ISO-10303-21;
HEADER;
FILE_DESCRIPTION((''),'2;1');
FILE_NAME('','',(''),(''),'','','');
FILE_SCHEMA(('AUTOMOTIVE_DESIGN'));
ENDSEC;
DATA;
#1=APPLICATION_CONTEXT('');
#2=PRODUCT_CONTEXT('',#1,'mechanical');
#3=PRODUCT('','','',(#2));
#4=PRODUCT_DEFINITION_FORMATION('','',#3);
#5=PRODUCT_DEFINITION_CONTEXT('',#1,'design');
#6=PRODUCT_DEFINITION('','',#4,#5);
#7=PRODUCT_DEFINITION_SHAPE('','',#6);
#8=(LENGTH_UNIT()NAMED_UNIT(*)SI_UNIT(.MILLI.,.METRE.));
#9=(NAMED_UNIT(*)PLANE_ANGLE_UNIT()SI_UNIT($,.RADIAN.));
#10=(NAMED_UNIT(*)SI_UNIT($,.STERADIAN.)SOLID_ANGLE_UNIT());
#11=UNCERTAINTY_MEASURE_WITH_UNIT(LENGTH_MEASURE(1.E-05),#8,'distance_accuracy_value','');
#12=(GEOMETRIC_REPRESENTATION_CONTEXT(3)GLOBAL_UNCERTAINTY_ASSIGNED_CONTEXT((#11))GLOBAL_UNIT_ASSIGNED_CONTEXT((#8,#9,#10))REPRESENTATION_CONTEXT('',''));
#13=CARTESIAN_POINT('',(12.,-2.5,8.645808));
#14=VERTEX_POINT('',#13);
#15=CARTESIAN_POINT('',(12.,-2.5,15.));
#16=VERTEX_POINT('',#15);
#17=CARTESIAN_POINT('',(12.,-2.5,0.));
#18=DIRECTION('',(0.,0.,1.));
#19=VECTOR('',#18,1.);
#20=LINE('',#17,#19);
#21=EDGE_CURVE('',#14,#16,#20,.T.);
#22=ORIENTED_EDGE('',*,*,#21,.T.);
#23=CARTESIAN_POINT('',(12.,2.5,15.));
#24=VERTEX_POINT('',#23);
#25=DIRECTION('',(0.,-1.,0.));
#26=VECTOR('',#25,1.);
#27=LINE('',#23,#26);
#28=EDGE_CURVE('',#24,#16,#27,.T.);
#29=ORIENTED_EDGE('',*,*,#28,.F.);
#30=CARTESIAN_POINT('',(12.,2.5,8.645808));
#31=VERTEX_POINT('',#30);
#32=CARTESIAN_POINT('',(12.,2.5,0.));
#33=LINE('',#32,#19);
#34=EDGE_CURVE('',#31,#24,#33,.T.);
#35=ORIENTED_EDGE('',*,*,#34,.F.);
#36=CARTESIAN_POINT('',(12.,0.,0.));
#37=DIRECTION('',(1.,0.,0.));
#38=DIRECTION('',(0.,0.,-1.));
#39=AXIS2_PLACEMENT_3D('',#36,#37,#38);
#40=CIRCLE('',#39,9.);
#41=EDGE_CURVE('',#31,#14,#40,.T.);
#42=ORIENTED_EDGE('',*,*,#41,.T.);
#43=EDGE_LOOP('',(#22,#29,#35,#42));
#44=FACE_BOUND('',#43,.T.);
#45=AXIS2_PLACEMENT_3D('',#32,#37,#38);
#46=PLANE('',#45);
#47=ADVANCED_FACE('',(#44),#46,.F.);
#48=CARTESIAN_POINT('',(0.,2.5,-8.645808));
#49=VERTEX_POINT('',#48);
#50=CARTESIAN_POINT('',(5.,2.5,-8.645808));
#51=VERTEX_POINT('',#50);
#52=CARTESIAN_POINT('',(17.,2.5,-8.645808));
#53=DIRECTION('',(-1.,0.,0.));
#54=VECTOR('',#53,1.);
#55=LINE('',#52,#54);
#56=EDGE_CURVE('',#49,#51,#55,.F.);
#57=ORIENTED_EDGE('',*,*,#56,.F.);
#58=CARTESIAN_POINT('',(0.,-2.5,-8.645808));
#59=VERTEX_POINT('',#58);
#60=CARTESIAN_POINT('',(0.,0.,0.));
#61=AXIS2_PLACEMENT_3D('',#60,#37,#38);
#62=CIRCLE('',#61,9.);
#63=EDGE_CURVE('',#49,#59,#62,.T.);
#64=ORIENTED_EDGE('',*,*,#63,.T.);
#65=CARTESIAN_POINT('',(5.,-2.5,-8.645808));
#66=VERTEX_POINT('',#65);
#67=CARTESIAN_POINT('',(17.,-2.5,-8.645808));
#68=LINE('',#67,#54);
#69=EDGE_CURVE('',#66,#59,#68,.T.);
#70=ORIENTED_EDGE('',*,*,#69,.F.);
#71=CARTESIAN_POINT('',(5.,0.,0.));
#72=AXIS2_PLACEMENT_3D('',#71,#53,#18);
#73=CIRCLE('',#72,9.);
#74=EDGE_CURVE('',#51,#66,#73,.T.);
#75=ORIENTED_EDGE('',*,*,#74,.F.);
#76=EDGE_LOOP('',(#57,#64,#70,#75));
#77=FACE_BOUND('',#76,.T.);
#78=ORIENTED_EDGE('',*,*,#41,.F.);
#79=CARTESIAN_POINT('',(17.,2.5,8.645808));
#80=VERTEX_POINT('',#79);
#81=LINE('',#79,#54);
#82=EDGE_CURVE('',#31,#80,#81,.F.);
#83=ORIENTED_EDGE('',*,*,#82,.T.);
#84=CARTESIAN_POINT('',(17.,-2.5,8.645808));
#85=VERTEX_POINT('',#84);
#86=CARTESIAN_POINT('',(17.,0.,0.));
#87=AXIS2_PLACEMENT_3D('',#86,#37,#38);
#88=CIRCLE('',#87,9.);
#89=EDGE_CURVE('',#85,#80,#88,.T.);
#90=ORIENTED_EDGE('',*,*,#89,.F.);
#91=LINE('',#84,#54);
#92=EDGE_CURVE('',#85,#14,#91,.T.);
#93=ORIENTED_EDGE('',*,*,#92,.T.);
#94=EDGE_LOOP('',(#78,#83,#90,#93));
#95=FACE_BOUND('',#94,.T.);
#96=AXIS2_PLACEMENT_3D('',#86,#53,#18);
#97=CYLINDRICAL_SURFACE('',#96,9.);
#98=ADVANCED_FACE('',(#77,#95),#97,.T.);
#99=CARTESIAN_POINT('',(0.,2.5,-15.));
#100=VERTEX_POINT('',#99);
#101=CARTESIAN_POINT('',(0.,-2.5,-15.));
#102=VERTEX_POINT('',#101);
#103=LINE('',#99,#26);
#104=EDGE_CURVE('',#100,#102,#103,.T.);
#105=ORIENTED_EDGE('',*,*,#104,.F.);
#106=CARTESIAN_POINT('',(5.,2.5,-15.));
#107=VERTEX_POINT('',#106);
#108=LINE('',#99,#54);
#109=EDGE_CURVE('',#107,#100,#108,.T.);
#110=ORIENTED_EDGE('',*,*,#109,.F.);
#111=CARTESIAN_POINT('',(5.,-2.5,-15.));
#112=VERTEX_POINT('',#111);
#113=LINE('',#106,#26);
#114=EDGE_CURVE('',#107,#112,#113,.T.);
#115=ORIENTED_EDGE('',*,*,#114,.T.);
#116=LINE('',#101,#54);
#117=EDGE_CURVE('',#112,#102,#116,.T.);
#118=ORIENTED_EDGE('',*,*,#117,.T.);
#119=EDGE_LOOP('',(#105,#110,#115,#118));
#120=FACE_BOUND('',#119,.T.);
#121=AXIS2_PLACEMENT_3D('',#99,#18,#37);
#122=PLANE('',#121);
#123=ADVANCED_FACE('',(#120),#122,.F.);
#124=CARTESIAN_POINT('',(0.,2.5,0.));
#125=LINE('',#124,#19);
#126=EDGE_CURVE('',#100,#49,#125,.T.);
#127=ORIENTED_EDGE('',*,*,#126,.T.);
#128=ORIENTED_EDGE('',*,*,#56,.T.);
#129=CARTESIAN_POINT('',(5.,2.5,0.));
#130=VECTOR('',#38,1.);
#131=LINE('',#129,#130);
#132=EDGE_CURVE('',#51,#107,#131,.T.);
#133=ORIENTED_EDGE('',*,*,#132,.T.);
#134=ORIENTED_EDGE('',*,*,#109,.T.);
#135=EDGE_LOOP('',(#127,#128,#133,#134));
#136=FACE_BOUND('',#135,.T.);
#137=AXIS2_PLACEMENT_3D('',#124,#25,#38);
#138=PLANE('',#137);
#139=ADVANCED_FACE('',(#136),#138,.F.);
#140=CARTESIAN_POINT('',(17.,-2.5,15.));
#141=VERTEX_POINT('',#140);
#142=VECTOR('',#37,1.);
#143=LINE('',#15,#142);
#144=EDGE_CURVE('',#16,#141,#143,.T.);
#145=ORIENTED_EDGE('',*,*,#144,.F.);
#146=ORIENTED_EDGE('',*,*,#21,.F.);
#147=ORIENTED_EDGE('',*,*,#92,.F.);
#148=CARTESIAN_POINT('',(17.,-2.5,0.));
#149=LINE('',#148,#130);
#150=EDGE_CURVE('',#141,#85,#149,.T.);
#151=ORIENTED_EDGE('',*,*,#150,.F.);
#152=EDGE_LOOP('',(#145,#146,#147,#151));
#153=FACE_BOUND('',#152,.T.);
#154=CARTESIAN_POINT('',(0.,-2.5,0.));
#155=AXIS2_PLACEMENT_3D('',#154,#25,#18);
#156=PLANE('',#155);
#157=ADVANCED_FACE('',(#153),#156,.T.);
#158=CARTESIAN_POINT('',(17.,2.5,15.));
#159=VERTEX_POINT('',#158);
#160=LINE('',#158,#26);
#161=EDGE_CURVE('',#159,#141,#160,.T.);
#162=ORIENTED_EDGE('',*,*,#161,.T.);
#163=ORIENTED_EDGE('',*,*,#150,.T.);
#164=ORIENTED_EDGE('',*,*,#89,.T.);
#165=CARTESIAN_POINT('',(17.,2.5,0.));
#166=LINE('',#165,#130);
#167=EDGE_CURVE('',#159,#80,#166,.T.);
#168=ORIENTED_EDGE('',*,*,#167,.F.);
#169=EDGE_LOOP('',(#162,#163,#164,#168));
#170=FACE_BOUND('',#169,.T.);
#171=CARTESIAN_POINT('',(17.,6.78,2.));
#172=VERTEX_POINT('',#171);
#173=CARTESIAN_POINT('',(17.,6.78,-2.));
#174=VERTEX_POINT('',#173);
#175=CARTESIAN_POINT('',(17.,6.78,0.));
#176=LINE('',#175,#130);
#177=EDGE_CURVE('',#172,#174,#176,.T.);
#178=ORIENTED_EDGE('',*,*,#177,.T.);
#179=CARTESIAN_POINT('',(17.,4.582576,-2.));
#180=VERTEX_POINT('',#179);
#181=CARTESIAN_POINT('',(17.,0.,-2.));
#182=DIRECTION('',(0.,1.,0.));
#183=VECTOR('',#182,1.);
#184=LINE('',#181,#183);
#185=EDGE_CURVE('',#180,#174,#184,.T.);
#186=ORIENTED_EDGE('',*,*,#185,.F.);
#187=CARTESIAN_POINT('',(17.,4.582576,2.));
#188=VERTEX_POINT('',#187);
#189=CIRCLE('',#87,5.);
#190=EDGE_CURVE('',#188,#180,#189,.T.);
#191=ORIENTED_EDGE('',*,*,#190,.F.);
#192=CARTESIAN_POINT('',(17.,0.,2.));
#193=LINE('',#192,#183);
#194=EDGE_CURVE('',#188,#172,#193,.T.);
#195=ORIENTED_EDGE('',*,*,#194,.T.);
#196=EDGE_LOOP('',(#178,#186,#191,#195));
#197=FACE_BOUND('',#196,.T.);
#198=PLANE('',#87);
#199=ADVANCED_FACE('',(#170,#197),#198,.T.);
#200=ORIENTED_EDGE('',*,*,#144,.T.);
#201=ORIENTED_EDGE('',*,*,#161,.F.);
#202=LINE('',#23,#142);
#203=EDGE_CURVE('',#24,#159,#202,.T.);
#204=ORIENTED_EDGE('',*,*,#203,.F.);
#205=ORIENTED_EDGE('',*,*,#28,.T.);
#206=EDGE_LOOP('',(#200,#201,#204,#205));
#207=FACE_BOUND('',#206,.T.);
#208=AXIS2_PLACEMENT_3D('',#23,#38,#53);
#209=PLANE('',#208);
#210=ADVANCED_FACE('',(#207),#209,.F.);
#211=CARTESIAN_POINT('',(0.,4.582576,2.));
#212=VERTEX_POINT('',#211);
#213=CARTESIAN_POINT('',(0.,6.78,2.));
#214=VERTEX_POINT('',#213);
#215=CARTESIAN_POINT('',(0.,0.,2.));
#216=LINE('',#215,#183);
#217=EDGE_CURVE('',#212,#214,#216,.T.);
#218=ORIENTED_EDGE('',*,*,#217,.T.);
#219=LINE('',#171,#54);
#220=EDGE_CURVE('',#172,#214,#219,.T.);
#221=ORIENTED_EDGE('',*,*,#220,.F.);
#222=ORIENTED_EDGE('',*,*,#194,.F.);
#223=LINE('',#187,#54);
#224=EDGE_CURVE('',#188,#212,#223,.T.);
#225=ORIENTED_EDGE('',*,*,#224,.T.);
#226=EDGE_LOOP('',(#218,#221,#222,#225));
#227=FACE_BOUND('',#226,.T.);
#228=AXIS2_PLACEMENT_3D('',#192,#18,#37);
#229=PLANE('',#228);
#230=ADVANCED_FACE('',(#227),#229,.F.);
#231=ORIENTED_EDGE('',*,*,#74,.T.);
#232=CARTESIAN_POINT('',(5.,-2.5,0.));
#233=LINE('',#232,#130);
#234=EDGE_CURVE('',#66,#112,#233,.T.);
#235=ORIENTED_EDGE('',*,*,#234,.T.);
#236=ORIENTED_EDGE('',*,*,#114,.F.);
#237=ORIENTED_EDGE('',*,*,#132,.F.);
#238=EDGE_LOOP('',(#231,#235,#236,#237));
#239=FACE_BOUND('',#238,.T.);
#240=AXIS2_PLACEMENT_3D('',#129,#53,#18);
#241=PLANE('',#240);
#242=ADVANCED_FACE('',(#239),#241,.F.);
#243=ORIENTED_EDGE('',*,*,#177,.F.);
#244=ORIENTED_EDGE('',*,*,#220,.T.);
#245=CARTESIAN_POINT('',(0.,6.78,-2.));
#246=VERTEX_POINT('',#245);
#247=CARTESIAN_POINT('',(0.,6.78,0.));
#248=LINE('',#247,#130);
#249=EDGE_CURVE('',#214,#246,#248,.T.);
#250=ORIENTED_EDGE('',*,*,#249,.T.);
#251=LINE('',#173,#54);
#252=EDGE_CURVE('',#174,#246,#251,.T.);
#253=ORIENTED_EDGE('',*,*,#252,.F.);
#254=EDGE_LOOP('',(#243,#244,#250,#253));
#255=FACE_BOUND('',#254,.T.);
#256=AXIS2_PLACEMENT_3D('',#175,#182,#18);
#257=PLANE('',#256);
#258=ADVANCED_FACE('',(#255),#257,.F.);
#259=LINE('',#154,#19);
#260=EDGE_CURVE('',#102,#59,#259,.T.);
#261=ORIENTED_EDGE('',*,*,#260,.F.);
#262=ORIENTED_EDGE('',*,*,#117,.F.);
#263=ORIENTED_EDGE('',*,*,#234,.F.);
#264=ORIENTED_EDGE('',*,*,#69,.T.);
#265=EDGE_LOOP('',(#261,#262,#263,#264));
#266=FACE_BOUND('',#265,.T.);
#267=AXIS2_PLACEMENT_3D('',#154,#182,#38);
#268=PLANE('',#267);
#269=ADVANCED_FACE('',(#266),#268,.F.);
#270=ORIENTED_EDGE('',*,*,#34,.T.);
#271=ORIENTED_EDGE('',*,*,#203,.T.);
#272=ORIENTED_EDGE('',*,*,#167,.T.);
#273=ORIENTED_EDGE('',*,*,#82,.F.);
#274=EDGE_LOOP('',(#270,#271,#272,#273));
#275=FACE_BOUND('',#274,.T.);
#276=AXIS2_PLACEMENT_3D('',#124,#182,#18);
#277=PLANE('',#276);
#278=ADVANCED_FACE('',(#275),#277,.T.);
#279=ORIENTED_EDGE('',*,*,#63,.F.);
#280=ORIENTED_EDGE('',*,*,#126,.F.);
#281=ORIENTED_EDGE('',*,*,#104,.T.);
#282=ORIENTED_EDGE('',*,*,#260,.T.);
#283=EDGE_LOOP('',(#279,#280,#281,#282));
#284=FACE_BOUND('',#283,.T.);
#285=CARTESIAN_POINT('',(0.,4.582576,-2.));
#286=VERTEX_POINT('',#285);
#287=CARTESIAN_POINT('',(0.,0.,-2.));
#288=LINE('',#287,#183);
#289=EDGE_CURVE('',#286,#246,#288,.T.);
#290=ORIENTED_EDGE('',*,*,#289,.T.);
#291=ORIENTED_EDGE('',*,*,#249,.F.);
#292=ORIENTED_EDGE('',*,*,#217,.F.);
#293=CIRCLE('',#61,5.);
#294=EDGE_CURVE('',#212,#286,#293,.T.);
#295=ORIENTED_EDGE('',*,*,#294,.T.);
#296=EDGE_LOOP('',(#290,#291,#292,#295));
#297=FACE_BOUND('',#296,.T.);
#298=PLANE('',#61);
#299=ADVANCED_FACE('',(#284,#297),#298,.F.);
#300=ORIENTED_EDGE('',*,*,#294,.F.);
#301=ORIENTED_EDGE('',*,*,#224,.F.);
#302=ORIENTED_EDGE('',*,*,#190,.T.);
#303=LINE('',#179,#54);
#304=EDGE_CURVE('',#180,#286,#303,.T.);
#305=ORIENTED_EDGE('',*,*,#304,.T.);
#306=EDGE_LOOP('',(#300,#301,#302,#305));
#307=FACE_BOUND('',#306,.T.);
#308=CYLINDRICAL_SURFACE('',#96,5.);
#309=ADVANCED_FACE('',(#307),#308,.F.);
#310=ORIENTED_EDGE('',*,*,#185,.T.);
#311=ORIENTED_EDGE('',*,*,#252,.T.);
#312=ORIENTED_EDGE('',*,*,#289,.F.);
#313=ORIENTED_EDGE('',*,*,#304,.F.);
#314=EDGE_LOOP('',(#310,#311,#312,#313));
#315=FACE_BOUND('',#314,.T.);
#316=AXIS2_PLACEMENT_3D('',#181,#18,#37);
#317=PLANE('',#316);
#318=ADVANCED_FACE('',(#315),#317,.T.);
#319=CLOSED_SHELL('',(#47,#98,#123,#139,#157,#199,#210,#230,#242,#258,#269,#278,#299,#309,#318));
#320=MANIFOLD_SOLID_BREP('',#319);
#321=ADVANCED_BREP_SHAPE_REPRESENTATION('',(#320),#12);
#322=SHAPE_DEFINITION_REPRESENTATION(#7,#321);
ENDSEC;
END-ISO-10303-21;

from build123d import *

# Parameters (mm, degrees)
SKETCH1_R           = 9
BOSS_EXTRUDE1_DEPTH = 17
SKETCH3_W           = 5
SKETCH3_H           = 15
BOSS_EXTRUDE3_DEPTH = 2.5
SKETCH4_R           = 5
CUT_EXTRUDE1_DEPTH  = 25.392621835


with BuildPart() as part:
    # Sketch1 → Boss-Extrude1 (new body)
    with BuildSketch(Plane(origin=(0, 0, 0), x_dir=(0, 0, -1), z_dir=(1, 0, 0))):
        Circle(SKETCH1_R)
        with BuildLine():
            ThreePointArc((5, 0), (-2.738612788, -4.183300133), (-2, 4.582575695))
            Line((-2, 4.582575695), (-2, 6.78))
            Line((-2, 6.78), (2, 6.78))
            Line((2, 6.78), (2, 4.582575695))
            ThreePointArc((2, 4.582575695), (4.183300133, 2.738612788), (5, 0))
        make_face(mode=Mode.SUBTRACT)
    extrude(amount=BOSS_EXTRUDE1_DEPTH)

    # Sketch3 → Boss-Extrude3 (add)
    with BuildSketch(Plane(origin=(0, 0, 0), x_dir=(1, 0, 0), z_dir=(0, 1, 0))):
        with Locations((2.5, 7.5)):
            Rectangle(SKETCH3_W, SKETCH3_H)
        with Locations((14.5, -7.5)):
            Rectangle(SKETCH3_W, SKETCH3_H)
    boss_extrude3 = extrude(amount=BOSS_EXTRUDE3_DEPTH)

    # Mirror1: Boss-Extrude3 across plane
    add(boss_extrude3.mirror(Plane(origin=(0, 0, 0), x_dir=(0, 0, 1), z_dir=(0, -1, 0))))

    # Sketch4 → Cut-Extrude1 (cut, through all)
    with BuildSketch(Plane.ZY):
        Circle(SKETCH4_R)
    extrude(amount=-CUT_EXTRUDE1_DEPTH, mode=Mode.SUBTRACT)


solid = part.part
